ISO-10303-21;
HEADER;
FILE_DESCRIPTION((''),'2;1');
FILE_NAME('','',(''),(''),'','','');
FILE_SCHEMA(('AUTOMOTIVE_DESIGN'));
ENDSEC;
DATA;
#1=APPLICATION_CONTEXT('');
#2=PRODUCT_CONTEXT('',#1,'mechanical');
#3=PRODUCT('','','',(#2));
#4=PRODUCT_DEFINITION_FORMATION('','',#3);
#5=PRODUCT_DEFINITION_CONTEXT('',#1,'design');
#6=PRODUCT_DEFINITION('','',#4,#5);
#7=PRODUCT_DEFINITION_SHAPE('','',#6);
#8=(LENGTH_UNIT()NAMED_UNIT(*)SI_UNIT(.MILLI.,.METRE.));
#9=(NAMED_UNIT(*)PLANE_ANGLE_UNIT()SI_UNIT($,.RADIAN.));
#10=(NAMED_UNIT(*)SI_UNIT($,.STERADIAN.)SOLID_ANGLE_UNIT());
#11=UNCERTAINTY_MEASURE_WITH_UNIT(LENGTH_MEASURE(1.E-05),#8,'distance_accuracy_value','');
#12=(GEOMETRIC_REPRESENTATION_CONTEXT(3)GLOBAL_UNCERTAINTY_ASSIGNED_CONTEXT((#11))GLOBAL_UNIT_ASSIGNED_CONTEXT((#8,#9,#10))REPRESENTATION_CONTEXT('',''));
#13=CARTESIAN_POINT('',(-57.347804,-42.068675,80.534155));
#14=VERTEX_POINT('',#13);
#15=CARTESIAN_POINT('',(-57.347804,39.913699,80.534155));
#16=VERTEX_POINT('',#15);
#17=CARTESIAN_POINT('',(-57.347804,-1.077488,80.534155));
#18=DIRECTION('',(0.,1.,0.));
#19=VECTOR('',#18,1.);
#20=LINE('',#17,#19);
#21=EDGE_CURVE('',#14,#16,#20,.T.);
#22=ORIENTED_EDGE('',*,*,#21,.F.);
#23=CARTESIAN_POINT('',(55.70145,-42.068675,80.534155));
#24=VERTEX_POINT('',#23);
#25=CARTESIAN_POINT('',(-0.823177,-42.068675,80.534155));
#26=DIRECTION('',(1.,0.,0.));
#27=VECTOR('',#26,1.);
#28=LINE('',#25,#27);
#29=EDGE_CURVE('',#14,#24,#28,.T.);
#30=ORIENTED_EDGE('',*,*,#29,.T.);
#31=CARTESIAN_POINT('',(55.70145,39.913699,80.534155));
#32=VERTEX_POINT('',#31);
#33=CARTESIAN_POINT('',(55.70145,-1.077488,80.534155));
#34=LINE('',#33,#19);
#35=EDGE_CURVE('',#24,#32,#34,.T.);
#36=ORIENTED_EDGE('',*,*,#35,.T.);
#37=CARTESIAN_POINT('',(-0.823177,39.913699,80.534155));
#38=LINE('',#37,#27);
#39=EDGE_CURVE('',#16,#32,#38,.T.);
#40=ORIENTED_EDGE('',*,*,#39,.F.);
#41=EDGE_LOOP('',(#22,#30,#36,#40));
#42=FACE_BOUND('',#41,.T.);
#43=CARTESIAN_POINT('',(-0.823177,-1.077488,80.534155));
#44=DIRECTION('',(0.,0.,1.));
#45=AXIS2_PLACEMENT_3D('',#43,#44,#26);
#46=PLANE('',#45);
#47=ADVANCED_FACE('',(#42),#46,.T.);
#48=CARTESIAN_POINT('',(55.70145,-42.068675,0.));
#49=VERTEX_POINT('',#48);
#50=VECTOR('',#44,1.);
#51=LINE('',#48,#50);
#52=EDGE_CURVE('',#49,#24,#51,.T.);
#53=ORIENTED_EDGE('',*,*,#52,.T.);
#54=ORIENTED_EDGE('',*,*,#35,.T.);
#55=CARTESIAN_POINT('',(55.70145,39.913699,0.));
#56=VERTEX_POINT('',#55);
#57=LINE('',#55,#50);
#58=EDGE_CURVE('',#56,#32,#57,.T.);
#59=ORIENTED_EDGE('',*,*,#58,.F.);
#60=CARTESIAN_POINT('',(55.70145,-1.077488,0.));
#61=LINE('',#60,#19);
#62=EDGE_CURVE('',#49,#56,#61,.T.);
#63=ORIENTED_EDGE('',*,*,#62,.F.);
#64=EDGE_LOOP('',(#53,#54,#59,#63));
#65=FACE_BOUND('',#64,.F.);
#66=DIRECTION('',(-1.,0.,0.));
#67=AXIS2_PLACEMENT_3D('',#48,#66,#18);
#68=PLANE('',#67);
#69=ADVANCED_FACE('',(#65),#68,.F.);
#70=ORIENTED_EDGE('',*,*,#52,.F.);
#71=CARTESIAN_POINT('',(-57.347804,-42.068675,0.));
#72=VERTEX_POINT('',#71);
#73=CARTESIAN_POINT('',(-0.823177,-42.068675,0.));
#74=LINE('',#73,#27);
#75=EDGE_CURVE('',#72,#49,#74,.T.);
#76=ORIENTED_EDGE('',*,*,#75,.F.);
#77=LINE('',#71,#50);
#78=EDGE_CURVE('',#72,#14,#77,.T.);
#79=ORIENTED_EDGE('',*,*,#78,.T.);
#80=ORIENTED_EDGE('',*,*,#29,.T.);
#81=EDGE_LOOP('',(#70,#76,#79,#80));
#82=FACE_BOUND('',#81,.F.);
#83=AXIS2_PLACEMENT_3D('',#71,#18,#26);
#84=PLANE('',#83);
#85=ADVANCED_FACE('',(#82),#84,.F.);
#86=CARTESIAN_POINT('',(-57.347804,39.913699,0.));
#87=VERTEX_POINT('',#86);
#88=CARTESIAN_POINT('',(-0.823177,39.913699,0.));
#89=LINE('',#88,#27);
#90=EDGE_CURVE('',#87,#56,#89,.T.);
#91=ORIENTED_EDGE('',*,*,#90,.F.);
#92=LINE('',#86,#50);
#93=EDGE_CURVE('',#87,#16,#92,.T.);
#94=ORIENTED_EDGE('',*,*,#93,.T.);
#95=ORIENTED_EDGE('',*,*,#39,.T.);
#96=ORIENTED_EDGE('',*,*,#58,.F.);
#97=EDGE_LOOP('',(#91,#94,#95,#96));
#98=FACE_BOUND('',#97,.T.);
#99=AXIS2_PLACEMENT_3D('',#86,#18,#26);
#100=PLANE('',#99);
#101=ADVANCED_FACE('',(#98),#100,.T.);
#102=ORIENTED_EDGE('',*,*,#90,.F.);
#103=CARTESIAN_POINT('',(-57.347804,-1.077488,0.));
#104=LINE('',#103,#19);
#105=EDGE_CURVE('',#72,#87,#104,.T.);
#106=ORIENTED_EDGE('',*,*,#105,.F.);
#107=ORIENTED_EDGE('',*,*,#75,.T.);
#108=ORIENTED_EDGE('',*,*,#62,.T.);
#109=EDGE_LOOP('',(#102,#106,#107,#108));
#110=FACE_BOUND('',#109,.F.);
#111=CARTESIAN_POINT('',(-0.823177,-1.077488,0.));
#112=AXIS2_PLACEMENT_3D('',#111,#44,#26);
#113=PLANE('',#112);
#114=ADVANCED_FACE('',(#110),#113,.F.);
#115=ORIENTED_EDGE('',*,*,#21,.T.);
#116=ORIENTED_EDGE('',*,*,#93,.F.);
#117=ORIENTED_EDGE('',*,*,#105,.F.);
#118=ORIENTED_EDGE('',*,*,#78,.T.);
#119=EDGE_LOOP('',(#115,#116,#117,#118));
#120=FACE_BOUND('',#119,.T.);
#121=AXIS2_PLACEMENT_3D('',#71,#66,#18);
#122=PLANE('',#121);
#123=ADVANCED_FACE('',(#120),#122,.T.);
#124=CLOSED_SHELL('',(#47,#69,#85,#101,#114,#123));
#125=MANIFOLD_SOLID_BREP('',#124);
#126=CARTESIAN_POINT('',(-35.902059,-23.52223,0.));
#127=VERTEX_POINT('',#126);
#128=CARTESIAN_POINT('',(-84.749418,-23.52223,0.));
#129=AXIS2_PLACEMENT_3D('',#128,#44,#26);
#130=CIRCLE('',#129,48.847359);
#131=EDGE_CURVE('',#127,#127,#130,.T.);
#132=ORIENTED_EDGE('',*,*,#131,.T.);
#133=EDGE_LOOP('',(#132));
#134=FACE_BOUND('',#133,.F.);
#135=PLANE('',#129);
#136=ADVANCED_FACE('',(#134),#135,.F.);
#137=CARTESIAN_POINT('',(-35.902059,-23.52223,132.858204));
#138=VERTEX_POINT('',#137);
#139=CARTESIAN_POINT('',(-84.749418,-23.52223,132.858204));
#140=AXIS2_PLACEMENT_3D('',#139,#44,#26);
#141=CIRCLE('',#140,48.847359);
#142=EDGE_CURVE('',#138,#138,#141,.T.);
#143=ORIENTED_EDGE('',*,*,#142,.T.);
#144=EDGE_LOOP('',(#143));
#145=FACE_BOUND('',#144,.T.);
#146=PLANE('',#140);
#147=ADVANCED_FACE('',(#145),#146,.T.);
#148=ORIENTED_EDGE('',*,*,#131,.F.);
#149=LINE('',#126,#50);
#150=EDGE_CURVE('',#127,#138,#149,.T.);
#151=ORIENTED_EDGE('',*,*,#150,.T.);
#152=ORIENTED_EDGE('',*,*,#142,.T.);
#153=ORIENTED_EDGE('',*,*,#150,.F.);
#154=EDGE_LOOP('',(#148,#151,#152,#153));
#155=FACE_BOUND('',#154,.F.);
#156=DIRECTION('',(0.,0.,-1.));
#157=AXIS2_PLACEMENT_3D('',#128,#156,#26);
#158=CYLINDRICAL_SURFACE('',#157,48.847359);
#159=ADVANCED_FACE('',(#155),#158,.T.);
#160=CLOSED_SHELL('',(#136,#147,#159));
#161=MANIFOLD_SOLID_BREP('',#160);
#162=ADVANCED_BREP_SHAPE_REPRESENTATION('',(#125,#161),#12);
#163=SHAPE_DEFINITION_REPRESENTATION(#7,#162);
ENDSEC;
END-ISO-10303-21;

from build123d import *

# Parameters (mm, degrees)
F0_W     = 113.049254
F0_H     = 81.982374
F1_DEPTH = 80.534155
F2_R     = 48.847359
F3_DEPTH = 132.858204


with BuildPart() as f1:
    # F0 (on Top) → F1 (new body)
    with BuildSketch(Plane.XY):
        with Locations((-0.823177, -1.077488)):
            Rectangle(F0_W, F0_H)
    extrude(amount=F1_DEPTH)


with BuildPart() as f3:
    # F2 (on Top) → F3 (new body)
    with BuildSketch(Plane.XY):
        with Locations((-84.749418, -23.52223)):
            Circle(F2_R)
    extrude(amount=F3_DEPTH)


solid = Compound([f1.part, f3.part])
